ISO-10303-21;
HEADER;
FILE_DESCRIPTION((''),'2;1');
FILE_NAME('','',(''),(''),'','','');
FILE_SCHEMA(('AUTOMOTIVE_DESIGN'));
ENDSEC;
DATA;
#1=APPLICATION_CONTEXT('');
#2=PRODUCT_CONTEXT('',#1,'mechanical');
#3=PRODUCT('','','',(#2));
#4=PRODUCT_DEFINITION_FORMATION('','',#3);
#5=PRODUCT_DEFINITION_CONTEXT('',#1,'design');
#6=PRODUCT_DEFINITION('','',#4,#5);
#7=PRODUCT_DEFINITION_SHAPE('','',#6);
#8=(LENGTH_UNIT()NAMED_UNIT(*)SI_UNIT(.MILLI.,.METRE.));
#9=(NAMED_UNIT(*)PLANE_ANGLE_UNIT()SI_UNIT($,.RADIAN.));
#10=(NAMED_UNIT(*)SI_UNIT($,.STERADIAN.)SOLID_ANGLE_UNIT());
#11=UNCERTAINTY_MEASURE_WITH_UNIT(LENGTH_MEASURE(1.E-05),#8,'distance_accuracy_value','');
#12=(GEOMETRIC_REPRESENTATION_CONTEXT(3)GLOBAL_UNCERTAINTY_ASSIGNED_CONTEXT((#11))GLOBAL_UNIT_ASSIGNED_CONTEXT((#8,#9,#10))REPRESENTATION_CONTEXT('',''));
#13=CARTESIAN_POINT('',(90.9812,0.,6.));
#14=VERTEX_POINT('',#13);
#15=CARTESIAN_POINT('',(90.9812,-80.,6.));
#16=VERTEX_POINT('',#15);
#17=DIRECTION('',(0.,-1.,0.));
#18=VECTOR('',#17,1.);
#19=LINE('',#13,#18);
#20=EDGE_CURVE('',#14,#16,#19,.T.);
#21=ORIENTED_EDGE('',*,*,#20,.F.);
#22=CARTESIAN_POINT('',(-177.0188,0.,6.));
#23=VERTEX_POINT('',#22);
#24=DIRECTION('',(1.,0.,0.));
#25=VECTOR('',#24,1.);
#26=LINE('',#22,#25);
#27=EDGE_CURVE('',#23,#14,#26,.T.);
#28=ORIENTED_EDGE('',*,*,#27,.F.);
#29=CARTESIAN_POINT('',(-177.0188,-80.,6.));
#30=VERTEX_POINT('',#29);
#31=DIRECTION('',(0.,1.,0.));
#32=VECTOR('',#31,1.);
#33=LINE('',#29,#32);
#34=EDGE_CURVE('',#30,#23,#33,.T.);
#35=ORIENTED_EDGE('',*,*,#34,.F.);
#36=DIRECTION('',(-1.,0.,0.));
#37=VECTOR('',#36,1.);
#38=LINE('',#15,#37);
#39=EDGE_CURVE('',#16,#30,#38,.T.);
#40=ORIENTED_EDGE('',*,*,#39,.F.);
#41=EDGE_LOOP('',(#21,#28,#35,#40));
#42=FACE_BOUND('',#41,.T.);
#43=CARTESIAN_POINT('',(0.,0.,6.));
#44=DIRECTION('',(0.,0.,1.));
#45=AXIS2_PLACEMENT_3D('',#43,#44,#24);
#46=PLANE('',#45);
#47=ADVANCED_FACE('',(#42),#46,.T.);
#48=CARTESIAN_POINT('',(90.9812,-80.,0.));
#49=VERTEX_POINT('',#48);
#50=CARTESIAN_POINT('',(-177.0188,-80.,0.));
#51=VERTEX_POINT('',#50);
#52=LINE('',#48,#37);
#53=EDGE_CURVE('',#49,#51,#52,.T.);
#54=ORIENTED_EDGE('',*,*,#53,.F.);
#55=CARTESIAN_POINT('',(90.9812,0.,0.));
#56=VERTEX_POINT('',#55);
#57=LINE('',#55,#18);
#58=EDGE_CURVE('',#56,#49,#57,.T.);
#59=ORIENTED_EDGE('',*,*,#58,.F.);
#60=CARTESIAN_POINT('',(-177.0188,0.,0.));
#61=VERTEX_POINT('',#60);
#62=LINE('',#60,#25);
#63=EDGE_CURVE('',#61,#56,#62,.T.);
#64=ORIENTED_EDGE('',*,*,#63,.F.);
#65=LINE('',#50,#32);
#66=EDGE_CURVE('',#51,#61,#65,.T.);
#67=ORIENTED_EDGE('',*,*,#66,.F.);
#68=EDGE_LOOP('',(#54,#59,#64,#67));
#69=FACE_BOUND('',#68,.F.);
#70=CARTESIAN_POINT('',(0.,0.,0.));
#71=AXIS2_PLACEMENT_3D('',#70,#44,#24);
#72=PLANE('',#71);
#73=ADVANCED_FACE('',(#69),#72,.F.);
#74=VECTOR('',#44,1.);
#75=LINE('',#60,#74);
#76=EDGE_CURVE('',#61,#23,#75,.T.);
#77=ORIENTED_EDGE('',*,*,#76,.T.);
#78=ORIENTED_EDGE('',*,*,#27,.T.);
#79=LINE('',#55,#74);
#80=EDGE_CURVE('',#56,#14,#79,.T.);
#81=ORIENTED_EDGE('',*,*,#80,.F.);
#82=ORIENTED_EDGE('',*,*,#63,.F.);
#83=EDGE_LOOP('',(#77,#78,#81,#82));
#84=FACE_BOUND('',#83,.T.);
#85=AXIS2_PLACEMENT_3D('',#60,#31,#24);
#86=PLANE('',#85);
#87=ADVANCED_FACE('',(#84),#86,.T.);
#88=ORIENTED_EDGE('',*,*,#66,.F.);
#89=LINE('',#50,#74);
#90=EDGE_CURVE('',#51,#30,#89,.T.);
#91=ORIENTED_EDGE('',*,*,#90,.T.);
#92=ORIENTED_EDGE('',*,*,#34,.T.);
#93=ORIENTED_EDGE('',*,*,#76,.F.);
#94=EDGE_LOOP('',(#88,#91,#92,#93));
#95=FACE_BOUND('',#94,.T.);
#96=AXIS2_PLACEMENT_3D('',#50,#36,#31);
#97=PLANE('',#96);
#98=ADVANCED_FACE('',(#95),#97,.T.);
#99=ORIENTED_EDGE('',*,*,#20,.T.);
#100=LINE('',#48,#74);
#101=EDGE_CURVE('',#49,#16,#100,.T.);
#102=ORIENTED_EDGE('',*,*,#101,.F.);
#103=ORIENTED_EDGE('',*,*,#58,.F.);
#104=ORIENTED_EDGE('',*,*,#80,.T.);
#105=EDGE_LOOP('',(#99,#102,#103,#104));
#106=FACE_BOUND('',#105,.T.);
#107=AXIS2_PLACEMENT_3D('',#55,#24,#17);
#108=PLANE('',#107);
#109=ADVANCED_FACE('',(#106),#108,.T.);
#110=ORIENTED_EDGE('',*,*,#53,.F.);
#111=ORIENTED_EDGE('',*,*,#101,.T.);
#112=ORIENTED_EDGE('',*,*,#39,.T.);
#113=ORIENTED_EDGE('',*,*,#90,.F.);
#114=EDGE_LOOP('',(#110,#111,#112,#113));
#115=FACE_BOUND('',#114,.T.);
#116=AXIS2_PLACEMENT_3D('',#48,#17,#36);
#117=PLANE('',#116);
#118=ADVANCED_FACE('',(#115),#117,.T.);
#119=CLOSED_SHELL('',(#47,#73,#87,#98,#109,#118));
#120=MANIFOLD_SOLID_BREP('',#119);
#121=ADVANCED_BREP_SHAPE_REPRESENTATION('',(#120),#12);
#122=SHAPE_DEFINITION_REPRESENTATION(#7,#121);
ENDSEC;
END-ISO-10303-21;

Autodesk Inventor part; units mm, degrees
ref_plane "YZ Plane" through (0, 0, 0) normal (1, 0, 0) x (0, 1, 0)
ref_plane "XZ Plane" through (0, 0, 0) normal (0, 1, 0) x (-1, 0, 0)
ref_plane "XY Plane" through (0, 0, 0) normal (0, 0, 1) x (1, 0, 0)
sketch "Sketch1" plane through (0, 0, 0) normal (0, 0, 1) x (1, 0, 0)
  line L0 (-177.0188, 0) -> (90.9812, 0)
  line L1 (90.9812, 0) -> (90.9812, -80)
  line L2 (90.9812, -80) -> (-177.0188, -80)
  line L3 (-177.0188, -80) -> (-177.0188, 0)
  point P0 (0, 0)
  dimension "d0" = 268
  dimension "d1" = 80
extrude "Extrusion1" add sketch "Sketch1" along normal blind 6
equation "\"d0\" = -2 * CornerOffset + BoxLength - 2 * SheetThickness"
equation "\"d1\" = BoxHeight"
equation "\"d2\" = SheetThickness"
equation "\"BoxHeight\" = 80"
equation "\"SheetThickness\" = 6"
equation "\"CornerOffset\" = 5"
equation "\"BoxLength\" = 290"
properties part number "cab_L_F"
